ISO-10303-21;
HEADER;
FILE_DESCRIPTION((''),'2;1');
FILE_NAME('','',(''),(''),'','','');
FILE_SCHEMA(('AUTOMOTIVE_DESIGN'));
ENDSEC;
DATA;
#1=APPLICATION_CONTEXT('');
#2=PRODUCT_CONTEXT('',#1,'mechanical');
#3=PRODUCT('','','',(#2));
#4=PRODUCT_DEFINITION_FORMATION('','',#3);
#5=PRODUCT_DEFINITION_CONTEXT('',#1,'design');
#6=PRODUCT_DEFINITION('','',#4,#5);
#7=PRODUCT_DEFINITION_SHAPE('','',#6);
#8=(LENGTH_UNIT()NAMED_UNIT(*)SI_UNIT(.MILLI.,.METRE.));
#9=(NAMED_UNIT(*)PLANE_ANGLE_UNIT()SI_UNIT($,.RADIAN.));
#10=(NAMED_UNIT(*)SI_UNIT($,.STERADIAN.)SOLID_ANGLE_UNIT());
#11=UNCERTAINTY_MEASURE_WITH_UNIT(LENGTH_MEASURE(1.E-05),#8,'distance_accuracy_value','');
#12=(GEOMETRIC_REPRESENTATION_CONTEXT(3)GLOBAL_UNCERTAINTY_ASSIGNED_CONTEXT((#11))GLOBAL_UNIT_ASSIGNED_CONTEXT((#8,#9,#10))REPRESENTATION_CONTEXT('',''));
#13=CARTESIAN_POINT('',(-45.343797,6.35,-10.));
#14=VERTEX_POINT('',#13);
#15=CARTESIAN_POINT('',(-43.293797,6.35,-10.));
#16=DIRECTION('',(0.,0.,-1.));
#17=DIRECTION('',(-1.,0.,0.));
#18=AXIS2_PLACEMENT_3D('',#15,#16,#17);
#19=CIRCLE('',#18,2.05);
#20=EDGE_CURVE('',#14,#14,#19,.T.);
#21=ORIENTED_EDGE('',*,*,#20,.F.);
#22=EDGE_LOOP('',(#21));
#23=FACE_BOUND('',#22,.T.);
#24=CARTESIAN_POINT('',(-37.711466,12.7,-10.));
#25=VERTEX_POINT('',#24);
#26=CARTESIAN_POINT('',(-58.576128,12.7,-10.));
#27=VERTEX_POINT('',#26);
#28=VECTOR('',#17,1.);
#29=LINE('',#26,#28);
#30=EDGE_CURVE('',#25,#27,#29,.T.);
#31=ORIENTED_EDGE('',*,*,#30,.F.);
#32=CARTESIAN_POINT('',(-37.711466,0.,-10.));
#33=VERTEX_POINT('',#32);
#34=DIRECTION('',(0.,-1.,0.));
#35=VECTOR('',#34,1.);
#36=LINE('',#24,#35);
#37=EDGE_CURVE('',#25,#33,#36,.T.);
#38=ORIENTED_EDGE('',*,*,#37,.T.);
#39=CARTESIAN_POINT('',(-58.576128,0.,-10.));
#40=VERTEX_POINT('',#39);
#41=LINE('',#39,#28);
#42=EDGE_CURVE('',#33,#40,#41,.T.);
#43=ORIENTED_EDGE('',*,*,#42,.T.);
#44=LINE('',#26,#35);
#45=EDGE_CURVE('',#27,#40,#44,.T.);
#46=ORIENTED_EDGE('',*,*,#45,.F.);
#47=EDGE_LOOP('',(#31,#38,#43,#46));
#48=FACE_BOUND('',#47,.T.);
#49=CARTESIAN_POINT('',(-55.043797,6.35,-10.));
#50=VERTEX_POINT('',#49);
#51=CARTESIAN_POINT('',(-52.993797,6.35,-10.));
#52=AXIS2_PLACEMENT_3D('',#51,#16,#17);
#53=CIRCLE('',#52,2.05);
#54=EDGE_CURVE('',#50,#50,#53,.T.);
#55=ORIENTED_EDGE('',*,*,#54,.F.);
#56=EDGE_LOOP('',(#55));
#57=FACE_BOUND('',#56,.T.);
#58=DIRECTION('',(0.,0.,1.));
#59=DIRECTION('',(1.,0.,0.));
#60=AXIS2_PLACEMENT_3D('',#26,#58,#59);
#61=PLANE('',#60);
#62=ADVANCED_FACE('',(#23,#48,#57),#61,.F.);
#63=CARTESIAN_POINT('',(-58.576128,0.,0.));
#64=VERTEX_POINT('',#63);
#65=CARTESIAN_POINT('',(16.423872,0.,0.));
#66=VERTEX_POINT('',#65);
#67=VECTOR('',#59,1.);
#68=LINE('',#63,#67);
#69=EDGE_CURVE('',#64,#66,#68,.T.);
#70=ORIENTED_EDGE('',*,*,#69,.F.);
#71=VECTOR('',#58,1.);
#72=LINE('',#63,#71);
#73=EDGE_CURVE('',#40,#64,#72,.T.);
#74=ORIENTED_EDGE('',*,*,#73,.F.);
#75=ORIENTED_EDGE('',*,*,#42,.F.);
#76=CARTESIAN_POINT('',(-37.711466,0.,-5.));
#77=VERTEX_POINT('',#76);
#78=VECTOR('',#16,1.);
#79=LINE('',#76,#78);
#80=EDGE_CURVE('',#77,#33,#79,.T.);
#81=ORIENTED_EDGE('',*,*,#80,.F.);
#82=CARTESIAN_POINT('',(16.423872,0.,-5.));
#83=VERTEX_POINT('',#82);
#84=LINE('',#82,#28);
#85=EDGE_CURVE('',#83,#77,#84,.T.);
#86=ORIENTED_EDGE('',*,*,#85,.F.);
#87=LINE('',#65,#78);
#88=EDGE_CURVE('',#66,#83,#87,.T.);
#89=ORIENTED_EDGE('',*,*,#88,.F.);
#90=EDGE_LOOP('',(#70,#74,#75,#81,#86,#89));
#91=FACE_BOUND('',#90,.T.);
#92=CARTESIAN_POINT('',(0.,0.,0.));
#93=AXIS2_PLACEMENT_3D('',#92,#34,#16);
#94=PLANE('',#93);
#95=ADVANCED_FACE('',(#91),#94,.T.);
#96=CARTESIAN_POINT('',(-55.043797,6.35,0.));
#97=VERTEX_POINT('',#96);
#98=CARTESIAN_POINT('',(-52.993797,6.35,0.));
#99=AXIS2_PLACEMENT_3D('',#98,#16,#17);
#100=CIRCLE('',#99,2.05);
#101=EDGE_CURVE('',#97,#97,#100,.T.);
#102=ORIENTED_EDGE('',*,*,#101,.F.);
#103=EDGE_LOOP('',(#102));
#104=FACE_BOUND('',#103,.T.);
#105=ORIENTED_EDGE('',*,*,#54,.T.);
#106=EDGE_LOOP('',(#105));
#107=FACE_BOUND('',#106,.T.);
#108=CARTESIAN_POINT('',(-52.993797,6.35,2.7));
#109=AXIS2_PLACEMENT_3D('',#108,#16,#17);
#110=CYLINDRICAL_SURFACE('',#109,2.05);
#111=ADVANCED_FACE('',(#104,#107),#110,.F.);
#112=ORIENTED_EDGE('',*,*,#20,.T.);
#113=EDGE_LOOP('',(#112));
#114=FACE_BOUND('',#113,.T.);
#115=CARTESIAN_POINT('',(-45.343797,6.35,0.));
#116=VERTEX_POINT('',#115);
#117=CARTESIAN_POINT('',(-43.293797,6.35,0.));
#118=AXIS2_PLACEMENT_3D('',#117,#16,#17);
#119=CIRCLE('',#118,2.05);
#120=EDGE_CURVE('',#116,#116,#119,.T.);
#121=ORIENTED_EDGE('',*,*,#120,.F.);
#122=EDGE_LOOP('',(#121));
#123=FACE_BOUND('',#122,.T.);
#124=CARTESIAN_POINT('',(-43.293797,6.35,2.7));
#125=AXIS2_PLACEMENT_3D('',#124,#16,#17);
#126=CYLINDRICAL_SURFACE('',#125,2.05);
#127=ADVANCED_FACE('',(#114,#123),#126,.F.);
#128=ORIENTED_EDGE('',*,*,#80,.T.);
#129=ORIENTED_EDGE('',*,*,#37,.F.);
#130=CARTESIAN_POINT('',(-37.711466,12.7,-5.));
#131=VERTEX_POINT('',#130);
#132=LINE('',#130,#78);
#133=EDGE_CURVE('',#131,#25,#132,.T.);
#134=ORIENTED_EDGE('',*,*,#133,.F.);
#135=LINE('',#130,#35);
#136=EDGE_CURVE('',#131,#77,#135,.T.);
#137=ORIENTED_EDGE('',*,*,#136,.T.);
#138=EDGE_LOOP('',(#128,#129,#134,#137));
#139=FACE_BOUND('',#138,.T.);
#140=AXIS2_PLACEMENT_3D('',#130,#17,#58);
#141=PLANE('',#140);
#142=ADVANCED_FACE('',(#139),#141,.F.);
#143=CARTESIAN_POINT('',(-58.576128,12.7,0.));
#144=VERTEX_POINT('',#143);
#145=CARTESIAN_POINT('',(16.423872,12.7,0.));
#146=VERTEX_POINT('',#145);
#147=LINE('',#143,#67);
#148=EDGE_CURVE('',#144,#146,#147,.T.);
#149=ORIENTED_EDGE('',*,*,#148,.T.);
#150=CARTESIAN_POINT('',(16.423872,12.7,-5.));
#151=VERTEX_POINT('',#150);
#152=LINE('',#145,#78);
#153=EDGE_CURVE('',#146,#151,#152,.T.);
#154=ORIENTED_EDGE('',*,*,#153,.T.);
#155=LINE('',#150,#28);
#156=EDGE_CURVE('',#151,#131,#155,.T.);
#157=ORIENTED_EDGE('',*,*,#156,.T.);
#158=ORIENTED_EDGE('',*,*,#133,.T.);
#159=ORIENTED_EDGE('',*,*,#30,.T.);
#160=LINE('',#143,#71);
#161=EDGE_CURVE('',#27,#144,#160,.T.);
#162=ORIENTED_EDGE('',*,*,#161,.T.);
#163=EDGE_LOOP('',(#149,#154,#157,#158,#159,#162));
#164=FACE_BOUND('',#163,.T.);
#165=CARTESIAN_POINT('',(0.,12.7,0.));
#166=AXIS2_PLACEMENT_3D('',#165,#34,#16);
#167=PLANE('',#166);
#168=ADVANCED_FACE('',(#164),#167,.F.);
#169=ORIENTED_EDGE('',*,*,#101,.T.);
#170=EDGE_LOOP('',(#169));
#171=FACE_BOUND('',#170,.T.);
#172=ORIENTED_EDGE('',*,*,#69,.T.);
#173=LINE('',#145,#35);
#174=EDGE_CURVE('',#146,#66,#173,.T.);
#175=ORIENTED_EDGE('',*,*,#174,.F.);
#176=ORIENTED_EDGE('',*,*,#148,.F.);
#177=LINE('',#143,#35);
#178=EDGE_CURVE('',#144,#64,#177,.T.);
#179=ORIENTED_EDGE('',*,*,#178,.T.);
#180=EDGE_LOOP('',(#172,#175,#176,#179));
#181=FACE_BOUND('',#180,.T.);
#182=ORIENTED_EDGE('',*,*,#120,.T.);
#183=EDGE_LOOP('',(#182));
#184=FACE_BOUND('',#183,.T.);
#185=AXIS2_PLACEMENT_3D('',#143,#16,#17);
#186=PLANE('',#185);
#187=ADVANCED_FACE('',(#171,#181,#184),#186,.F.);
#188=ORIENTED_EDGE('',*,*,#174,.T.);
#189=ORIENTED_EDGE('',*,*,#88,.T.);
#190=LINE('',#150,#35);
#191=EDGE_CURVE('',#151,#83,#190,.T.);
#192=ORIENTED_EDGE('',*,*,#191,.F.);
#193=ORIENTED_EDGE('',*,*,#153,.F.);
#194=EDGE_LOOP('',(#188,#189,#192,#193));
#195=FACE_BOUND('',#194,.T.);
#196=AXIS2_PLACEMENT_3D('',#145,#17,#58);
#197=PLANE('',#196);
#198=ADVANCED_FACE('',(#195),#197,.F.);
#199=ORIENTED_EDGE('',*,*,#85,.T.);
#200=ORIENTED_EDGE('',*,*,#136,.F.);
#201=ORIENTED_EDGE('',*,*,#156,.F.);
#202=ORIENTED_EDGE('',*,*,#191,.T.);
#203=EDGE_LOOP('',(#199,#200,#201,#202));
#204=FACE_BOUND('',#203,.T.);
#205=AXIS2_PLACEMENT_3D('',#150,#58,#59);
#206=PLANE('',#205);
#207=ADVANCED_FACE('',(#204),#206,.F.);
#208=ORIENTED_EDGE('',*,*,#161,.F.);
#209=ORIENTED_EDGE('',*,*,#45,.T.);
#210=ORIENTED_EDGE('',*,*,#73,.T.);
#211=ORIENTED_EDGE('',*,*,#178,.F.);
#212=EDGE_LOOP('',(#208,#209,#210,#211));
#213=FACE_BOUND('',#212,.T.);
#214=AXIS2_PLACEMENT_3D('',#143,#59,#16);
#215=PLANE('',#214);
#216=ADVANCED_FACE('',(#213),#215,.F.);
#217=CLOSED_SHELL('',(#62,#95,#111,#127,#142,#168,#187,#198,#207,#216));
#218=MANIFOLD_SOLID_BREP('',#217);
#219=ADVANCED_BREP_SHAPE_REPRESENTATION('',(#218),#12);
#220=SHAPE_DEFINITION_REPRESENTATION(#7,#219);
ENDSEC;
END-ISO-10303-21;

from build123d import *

# Parameters (mm, degrees)
BOSS_EXTRUDE1_DEPTH = 12.7
CUT_EXTRUDE1_DEPTH  = 12.7


with BuildPart() as part:
    # Sketch1 → Boss-Extrude1 (new body)
    with BuildSketch(Plane(origin=(0, 0, 0), x_dir=(1, 0, 0), z_dir=(0, 1, 0))):
        Polygon((-58.57612782, 0), (16.42387218, 0), (16.42387218, 5), (-37.711466165, 5), (-37.711466165, 10), (-58.57612782, 10), align=None)
    extrude(amount=BOSS_EXTRUDE1_DEPTH)

    # Sketch2 → Cut-Extrude1 (cut)
    with BuildSketch(Plane(origin=(0, 0, -10), x_dir=(-1, 0, 0), z_dir=(0, 0, -1))):
        with BuildLine():
            ThreePointArc((41.243796992, 6.35), (43.293796992, 4.3), (45.343796992, 6.35))
            Line((45.343796992, 6.35), (41.243796992, 6.35))
        make_face()
        with BuildLine():
            Line((41.243796992, 6.35), (45.343796992, 6.35))
            ThreePointArc((45.343796992, 6.35), (43.293796992, 8.4), (41.243796992, 6.35))
        make_face()
        with BuildLine():
            ThreePointArc((55.043796992, 6.35), (52.993796992, 8.4), (50.943796992, 6.35))
            Line((50.943796992, 6.35), (55.043796992, 6.35))
        make_face()
        with BuildLine():
            Line((55.043796992, 6.35), (50.943796992, 6.35))
            ThreePointArc((50.943796992, 6.35), (52.993796992, 4.3), (55.043796992, 6.35))
        make_face()
    extrude(amount=-CUT_EXTRUDE1_DEPTH, mode=Mode.SUBTRACT)


solid = part.part
